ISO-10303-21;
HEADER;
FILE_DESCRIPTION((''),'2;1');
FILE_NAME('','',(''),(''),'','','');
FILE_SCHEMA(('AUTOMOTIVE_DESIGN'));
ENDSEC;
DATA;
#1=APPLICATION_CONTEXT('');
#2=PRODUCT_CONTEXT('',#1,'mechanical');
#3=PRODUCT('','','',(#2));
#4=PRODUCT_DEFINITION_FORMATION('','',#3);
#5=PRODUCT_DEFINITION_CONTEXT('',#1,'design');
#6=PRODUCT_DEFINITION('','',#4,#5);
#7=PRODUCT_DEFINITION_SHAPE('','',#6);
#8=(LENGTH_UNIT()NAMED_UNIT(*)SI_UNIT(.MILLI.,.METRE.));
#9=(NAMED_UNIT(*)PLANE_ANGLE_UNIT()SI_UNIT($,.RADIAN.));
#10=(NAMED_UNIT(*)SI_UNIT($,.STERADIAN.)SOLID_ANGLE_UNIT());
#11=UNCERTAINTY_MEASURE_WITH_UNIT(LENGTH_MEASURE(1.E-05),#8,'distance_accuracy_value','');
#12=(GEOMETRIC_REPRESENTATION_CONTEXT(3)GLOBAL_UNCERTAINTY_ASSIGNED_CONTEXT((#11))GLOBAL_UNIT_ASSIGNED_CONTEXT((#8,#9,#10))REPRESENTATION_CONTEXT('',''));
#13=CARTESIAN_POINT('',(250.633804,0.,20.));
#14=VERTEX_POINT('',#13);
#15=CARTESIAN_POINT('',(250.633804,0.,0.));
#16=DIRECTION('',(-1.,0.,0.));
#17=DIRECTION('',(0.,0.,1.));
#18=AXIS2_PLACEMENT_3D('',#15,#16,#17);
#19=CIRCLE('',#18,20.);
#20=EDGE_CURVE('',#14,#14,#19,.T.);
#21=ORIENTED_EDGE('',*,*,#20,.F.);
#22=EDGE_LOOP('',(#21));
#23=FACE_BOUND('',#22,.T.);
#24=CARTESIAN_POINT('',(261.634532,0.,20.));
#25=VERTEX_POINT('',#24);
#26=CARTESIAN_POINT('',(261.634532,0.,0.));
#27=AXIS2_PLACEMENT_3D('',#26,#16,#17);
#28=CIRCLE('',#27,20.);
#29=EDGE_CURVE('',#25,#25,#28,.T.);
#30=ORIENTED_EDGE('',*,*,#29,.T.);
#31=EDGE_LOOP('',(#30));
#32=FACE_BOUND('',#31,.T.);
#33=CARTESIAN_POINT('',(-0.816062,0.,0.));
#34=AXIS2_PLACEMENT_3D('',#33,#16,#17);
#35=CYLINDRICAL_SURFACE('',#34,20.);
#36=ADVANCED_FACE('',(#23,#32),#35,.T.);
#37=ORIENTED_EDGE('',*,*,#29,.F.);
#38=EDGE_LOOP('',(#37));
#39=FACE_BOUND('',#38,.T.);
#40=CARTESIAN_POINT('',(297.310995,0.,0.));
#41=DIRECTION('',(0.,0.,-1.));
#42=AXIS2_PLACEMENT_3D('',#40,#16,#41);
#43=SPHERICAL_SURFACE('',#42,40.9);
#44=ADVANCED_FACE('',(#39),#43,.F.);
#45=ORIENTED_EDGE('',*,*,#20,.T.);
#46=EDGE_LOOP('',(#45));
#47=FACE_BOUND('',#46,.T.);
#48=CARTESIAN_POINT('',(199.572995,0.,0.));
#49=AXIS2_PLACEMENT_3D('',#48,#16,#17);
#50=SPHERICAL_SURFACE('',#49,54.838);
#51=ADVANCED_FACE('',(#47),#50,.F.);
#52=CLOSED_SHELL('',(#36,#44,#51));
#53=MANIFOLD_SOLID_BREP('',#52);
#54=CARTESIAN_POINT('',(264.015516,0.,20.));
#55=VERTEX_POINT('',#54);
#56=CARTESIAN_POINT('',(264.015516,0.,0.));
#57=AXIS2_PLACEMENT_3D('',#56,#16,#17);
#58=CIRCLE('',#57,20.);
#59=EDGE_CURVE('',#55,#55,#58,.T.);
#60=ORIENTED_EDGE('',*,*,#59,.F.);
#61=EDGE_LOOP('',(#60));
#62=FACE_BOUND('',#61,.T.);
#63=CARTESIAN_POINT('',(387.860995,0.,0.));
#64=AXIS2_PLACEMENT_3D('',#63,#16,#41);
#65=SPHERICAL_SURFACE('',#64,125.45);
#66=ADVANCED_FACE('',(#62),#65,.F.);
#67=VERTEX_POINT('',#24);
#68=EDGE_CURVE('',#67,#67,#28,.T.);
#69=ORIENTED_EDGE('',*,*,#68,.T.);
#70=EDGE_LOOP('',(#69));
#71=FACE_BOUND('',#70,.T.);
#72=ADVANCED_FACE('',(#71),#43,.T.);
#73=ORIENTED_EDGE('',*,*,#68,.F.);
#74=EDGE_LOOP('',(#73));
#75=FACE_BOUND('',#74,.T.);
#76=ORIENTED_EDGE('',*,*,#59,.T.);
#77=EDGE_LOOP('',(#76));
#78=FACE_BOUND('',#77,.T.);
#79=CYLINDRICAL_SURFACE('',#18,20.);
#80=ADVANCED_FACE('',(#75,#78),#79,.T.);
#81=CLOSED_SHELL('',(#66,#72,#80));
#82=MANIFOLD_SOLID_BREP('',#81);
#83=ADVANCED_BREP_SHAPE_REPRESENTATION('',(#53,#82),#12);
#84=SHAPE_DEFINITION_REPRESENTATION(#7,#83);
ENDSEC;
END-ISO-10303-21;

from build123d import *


with BuildPart() as part:
    # 草图1 one side → 旋转1 (revolve)
    with BuildSketch(Plane(origin=(0, 0, 0), x_dir=(1, 0, 0), z_dir=(0, 1, 0)), mode=Mode.PRIVATE) as revolve_1_sk:
        with BuildLine():
            Line((261.634531785, 20), (250.633803891, 20))
            ThreePointArc((250.633803891, 20), (253.458423549, 10.176777115), (254.410994614, 0))
            Line((254.410994614, 0), (256.410994614, 0))
            ThreePointArc((256.410994614, 0), (257.738419958, 10.335440733), (261.634531785, 20))
        make_face()
    revolve(revolve_1_sk.sketch.rotate(Axis((-0.816062176, 0, 0), (1, 0, 0)), 180), axis=Axis((-0.816062176, 0, 0), (1, 0, 0)))  # turned: the seam where the file's is


with BuildPart() as body_2:
    # 草图2 one side → 旋转3 (revolve)
    with BuildSketch(Plane(origin=(0, 0, 0), x_dir=(1, 0, 0), z_dir=(0, 1, 0))):
        with BuildLine():
            Line((264.015516295, 20), (261.634531785, 20))
            ThreePointArc((261.634531785, 20), (257.738419958, 10.335440733), (256.410994614, 0))
            Line((256.410994614, 0), (262.410994614, 0))
            ThreePointArc((262.410994614, 0), (262.812768407, 10.032129508), (264.015516295, 20))
        make_face()
    revolve(axis=Axis((250.633803891, 0, 0), (1, 0, 0)))


solid = Compound([part.part, body_2.part])
